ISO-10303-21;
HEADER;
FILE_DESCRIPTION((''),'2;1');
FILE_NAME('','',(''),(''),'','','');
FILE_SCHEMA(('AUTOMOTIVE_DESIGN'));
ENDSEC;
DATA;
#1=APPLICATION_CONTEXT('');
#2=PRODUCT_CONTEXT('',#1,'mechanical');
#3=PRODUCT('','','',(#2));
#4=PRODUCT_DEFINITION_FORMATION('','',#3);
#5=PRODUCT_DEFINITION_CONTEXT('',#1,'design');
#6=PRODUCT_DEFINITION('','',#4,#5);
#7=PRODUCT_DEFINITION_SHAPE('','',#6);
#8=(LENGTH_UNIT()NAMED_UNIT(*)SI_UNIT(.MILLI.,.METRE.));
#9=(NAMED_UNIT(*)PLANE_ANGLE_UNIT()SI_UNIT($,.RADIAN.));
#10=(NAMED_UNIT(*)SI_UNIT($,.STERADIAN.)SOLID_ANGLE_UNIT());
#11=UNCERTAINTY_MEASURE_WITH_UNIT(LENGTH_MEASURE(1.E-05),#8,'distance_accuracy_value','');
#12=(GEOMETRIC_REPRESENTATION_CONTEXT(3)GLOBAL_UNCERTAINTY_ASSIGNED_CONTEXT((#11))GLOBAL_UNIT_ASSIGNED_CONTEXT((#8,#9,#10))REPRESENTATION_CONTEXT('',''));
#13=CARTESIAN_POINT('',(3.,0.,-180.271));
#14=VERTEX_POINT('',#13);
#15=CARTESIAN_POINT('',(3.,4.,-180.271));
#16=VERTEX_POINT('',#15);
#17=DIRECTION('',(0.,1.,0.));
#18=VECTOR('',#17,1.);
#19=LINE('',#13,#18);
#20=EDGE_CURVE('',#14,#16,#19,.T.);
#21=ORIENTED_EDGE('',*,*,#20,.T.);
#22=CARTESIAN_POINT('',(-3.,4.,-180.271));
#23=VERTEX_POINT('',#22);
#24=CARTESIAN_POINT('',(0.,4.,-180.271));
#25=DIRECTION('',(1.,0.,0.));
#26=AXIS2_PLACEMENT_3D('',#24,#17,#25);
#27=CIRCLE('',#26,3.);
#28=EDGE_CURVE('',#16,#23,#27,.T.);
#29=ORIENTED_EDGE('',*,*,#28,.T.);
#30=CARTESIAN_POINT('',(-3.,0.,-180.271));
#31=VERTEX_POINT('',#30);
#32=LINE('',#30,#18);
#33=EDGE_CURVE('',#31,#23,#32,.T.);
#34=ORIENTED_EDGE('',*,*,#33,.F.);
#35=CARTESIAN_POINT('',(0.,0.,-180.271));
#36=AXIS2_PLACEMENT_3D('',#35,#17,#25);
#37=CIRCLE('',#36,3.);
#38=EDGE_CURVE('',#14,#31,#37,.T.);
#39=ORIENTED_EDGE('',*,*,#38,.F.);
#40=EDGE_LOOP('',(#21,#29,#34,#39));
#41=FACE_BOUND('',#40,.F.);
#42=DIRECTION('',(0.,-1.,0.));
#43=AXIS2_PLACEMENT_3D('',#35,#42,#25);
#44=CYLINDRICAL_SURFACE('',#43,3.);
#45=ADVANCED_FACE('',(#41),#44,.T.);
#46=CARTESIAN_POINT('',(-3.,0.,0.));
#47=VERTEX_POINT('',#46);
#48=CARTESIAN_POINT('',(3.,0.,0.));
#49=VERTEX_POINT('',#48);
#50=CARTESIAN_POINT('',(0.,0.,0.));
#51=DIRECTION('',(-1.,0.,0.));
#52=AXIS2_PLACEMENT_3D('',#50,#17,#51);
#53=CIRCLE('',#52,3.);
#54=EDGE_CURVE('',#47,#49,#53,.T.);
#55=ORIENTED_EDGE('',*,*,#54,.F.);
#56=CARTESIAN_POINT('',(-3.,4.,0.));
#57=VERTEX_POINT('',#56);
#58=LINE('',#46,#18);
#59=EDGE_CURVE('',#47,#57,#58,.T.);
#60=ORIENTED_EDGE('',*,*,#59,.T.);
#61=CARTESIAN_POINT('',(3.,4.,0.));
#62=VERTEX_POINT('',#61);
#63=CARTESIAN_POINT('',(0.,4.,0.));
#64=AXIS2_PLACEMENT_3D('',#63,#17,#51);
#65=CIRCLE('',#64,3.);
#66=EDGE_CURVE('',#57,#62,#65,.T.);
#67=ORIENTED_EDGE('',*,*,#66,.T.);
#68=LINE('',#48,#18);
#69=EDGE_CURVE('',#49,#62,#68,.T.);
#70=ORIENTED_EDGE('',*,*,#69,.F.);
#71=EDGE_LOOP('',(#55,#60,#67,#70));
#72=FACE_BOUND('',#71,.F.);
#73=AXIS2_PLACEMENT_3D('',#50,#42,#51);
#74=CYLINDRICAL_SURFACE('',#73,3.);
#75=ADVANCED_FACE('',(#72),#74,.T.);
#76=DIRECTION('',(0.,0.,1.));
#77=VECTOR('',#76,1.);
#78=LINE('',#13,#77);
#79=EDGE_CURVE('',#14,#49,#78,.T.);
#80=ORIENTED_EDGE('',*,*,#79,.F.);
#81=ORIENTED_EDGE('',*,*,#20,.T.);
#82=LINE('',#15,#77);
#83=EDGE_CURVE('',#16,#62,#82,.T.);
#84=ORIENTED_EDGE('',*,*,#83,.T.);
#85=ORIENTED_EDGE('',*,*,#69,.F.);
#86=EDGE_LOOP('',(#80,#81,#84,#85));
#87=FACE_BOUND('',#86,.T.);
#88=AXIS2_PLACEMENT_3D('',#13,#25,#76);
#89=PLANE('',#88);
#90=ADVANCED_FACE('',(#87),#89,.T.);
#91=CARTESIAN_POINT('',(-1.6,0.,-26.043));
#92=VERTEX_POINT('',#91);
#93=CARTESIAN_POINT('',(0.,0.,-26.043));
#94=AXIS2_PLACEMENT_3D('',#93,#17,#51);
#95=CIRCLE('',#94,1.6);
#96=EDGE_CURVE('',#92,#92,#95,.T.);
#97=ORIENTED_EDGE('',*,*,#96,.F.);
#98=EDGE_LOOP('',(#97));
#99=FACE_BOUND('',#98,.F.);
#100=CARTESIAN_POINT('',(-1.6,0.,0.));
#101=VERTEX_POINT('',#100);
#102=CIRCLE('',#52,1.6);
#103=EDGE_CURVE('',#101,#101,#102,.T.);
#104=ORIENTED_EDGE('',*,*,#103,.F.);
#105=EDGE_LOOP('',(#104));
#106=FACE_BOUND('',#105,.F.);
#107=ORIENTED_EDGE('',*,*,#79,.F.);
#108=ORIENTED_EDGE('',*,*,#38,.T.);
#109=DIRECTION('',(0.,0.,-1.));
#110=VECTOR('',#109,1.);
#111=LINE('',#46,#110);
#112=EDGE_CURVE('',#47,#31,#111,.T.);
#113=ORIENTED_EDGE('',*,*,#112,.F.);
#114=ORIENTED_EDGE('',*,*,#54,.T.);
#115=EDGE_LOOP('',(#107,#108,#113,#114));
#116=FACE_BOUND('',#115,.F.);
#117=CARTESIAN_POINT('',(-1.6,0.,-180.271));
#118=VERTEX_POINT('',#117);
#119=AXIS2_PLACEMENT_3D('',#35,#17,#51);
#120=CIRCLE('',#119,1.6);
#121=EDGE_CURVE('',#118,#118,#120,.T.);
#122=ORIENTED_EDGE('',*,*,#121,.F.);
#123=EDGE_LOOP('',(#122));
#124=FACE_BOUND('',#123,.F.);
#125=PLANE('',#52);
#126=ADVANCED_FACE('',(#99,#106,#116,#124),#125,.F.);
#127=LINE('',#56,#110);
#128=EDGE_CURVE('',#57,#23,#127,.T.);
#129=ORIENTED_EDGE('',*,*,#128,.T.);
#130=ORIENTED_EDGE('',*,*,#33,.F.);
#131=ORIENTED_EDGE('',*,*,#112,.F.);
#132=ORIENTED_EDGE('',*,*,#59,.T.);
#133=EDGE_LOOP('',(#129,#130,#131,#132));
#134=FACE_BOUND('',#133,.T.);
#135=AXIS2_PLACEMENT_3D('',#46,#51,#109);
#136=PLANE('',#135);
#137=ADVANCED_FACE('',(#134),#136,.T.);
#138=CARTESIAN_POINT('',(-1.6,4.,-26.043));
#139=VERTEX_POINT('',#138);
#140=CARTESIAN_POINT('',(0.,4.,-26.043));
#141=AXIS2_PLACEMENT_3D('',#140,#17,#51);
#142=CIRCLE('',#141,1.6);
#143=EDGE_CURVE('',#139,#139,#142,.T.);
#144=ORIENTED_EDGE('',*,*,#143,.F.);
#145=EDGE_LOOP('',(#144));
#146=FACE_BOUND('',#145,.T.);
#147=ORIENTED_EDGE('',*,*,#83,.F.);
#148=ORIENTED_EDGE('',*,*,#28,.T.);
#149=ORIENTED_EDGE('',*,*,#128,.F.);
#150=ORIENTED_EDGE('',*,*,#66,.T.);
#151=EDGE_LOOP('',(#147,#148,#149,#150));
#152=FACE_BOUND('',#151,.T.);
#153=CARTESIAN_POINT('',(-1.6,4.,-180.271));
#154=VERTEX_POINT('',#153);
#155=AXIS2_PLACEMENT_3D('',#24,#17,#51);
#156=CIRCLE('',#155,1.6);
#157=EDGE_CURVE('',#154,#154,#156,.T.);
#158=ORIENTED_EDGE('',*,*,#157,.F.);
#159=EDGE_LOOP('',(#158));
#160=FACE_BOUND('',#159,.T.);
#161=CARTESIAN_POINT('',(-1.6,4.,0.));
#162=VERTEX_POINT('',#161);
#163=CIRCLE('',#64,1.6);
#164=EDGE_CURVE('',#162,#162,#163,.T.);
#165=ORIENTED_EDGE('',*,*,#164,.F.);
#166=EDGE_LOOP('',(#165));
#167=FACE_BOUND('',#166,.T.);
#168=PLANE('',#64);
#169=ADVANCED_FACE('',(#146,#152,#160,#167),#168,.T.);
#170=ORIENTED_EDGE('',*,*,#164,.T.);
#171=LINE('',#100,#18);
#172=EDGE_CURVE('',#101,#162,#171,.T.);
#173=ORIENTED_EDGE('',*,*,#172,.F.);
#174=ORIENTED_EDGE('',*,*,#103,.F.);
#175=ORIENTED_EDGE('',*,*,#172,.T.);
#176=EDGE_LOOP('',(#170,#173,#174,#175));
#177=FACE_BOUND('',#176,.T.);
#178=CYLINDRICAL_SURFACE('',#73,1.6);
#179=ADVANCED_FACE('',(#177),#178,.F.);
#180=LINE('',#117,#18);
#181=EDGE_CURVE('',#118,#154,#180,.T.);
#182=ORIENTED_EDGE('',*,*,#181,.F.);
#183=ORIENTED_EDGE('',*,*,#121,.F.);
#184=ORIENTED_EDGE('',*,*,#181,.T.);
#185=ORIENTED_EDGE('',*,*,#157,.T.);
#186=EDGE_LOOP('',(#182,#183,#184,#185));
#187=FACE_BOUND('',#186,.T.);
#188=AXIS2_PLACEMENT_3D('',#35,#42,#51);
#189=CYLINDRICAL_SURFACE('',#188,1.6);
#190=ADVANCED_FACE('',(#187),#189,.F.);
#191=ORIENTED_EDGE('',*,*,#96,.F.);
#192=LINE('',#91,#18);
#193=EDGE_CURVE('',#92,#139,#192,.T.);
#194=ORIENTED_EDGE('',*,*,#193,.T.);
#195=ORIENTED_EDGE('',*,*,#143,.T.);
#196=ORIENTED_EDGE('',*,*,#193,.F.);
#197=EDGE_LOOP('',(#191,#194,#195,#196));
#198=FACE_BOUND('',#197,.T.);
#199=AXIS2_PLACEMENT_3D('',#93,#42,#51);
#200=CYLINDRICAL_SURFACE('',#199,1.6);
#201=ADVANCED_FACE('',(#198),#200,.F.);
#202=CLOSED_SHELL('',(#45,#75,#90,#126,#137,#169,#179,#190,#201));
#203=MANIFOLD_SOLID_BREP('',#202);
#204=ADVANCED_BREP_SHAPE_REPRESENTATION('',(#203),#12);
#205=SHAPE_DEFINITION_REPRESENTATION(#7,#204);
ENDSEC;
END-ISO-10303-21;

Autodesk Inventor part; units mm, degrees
ref_plane "YZ Plane" through (0, 0, 0) normal (1, 0, 0) x (0, 1, 0)
ref_plane "XZ Plane" through (0, 0, 0) normal (0, 1, 0) x (-1, 0, 0)
ref_plane "XY Plane" through (0, 0, 0) normal (0, 0, 1) x (1, 0, 0)
sketch "Sketch1" plane through (0, 0, 0) normal (0, 1, 0) x (-1, 0, 0)
  line L0 (0, 0) -> (0, -180.271) construction
  line L1 (3, 0) -> (3, -180.271)
  line L2 (-3, -180.271) -> (-3, 0)
  arc A0 (3, 0) -> (-3, 0) centre (0, 0) ccw
  arc A1 (-3, -180.271) -> (3, -180.271) centre (0, -180.271) ccw
  circle A2 centre (0, 0) radius 1.6
  circle A3 centre (0, -180.271) radius 1.6
  circle A4 centre (0, -26.043) radius 1.6
  point P0 (0, -90.1355)
  dimension "d0" = 3.2
  dimension "d1" = 3.2
  dimension "d2" = 6
  dimension "d3" = 180.271
  dimension "d14" = 3.2
  dimension "d15" = 26.043
extrude "Extrusion1" add sketch "Sketch1" along normal blind 4
